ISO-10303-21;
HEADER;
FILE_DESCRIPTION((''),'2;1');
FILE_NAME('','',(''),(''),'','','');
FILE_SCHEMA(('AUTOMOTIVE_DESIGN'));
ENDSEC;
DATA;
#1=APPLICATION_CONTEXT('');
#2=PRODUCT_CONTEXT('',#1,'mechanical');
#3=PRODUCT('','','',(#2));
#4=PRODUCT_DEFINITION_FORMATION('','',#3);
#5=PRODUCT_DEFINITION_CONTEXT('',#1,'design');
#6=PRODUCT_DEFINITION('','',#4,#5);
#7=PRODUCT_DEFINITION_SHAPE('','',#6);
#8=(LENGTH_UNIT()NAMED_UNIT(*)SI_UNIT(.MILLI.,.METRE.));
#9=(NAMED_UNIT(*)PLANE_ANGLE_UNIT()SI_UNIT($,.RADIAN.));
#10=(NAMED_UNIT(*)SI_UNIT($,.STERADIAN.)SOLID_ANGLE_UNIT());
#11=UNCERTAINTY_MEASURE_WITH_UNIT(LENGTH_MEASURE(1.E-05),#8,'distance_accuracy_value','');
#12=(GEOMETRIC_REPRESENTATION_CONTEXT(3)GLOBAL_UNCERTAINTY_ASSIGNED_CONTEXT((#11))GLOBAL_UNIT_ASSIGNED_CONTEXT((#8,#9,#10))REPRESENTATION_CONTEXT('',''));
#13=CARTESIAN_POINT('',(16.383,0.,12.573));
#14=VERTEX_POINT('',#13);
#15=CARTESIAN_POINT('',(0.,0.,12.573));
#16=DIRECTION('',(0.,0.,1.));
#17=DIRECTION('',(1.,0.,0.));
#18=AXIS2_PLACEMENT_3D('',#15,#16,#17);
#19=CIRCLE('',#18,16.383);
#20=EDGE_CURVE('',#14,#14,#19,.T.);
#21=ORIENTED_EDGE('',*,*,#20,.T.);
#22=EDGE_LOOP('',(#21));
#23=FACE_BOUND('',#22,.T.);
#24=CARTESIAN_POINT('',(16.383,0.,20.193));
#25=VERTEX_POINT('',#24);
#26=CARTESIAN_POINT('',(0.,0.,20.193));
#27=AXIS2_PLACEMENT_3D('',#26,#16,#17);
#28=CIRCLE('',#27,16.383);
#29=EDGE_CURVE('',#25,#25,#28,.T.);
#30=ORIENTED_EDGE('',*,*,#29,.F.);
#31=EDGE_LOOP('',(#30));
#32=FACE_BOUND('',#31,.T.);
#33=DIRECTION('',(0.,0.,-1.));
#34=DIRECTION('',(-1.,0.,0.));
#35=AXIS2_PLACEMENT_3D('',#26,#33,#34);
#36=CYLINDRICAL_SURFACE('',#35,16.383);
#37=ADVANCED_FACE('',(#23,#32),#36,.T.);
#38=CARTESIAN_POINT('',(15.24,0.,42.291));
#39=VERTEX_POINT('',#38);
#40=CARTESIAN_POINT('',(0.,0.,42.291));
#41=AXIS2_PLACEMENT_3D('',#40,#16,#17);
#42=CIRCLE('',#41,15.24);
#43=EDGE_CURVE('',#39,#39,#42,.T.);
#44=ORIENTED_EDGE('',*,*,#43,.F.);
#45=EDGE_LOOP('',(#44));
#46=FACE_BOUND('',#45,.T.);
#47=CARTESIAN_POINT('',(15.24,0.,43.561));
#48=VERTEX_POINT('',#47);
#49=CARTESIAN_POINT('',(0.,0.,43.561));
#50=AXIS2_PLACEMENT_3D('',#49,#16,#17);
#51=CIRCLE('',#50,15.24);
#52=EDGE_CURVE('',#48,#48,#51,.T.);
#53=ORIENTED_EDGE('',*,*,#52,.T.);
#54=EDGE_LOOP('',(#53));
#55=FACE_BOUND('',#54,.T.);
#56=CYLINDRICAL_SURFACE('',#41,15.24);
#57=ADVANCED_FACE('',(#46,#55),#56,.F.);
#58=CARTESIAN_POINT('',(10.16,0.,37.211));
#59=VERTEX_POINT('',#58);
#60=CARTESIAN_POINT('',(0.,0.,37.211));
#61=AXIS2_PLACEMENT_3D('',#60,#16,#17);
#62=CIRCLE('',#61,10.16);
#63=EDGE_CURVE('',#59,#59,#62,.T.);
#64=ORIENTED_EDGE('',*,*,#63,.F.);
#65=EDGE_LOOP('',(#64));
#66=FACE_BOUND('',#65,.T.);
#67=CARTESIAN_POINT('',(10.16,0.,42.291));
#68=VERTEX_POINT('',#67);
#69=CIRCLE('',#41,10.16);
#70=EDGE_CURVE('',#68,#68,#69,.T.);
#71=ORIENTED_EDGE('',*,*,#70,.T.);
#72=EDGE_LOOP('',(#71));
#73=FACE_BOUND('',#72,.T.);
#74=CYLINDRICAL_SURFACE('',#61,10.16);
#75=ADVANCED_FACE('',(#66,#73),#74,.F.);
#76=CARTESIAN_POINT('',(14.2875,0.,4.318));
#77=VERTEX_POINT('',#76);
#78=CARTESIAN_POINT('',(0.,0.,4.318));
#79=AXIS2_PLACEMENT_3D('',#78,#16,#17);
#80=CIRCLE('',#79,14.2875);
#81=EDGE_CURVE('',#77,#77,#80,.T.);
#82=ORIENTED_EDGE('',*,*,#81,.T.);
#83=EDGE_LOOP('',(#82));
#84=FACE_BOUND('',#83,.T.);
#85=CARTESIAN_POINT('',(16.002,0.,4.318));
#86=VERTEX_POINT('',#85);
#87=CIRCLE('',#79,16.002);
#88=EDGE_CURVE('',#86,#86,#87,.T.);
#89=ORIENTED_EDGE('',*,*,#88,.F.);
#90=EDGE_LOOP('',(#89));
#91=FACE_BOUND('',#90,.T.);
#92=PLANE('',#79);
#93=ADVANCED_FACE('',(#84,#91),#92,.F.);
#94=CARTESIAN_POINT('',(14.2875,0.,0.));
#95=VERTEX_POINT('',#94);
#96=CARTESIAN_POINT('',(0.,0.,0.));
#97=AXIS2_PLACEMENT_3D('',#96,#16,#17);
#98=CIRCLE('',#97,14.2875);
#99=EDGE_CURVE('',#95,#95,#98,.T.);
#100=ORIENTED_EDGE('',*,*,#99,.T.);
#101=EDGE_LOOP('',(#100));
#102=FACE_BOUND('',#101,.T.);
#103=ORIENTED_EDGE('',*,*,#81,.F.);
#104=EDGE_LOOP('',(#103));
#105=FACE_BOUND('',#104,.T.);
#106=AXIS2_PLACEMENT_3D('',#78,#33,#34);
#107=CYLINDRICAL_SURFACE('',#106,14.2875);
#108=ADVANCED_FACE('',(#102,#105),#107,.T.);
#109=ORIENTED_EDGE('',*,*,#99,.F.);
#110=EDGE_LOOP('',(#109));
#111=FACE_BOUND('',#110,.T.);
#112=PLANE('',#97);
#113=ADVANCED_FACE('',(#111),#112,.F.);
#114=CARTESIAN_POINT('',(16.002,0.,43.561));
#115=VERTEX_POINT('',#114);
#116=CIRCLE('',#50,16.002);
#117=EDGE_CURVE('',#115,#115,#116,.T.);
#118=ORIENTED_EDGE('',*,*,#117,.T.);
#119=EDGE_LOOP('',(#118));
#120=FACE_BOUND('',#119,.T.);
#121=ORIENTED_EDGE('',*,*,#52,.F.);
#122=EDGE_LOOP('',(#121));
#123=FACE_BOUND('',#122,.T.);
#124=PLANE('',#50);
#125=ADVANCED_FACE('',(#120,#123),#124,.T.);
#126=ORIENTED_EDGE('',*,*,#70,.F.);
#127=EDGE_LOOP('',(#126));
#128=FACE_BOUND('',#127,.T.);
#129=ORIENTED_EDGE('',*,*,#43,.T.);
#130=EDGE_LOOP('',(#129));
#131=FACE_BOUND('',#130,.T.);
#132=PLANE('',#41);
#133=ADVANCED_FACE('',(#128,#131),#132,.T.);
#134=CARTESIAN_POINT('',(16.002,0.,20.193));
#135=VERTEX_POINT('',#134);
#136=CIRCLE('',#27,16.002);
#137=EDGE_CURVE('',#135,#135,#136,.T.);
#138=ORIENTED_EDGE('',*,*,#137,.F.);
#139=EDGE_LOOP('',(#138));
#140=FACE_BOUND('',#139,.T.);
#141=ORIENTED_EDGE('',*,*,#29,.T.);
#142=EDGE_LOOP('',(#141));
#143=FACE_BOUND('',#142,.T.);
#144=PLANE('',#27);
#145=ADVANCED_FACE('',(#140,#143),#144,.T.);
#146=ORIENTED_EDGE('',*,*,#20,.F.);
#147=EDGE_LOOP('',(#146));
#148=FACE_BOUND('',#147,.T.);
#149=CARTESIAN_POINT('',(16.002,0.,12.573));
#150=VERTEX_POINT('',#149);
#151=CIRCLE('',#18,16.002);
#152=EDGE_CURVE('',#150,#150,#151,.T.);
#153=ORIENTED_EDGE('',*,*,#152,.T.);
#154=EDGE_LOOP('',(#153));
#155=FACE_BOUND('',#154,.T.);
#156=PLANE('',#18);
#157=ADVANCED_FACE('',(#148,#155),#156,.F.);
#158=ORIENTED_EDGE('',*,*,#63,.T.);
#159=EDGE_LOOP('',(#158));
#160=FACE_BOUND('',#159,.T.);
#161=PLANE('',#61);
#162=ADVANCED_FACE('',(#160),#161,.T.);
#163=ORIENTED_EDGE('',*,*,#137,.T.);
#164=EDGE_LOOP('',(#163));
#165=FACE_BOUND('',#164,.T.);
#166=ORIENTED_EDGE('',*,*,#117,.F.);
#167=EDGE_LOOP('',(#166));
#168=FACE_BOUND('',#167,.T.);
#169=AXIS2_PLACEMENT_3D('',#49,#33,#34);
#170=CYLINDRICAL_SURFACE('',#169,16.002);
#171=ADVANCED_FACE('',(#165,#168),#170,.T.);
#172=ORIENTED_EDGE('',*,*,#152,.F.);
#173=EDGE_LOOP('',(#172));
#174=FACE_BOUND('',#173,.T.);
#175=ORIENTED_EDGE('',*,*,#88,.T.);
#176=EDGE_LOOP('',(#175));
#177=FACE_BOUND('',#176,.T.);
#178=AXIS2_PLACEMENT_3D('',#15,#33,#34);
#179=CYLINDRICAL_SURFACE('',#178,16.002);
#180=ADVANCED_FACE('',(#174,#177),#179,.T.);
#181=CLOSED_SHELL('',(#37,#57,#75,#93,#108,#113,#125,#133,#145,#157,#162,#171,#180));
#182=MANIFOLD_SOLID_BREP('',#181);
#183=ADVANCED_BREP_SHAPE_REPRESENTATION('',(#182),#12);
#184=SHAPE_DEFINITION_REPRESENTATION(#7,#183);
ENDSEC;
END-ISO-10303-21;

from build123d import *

# Parameters (mm, degrees)
SKETCH1_R          = 14.2875
EXTRUDE1_DEPTH     = 4.318
SKETCH2_R          = 16.002
EXTRUDE2_DEPTH     = 8.255
SKETCH3_R          = 16.383
EXTRUDE3_DEPTH     = 7.62
SKETCH4_R          = 16.002
EXTRUDE4_DEPTH     = 23.368
SKETCH5_R          = 15.24
CUT_EXTRUDE1_DEPTH = 1.27
SKETCH6_R          = 10.16
CUT_EXTRUDE2_DEPTH = 5.08


with BuildPart() as part:
    # Sketch1 → Extrude1 (new body)
    with BuildSketch(Plane.XY):
        Circle(SKETCH1_R)
    extrude(amount=EXTRUDE1_DEPTH)

    # Sketch2 → Extrude2 (add)
    with BuildSketch(Plane.XY.offset(4.318)):
        Circle(SKETCH2_R)
    extrude(amount=EXTRUDE2_DEPTH)

    # Sketch3 → Extrude3 (add)
    with BuildSketch(Plane.XY.offset(12.573)):
        Circle(SKETCH3_R)
    extrude(amount=EXTRUDE3_DEPTH)

    # Sketch4 → Extrude4 (add)
    with BuildSketch(Plane.XY.offset(20.193)):
        Circle(SKETCH4_R)
    extrude(amount=EXTRUDE4_DEPTH)

    # Sketch5 → Cut-Extrude1 (cut)
    with BuildSketch(Plane.XY.offset(43.561)):
        Circle(SKETCH5_R)
    extrude(amount=-CUT_EXTRUDE1_DEPTH, mode=Mode.SUBTRACT)

    # Sketch6 → Cut-Extrude2 (cut)
    with BuildSketch(Plane.XY.offset(42.291)):
        Circle(SKETCH6_R)
    extrude(amount=-CUT_EXTRUDE2_DEPTH, mode=Mode.SUBTRACT)


solid = part.part
